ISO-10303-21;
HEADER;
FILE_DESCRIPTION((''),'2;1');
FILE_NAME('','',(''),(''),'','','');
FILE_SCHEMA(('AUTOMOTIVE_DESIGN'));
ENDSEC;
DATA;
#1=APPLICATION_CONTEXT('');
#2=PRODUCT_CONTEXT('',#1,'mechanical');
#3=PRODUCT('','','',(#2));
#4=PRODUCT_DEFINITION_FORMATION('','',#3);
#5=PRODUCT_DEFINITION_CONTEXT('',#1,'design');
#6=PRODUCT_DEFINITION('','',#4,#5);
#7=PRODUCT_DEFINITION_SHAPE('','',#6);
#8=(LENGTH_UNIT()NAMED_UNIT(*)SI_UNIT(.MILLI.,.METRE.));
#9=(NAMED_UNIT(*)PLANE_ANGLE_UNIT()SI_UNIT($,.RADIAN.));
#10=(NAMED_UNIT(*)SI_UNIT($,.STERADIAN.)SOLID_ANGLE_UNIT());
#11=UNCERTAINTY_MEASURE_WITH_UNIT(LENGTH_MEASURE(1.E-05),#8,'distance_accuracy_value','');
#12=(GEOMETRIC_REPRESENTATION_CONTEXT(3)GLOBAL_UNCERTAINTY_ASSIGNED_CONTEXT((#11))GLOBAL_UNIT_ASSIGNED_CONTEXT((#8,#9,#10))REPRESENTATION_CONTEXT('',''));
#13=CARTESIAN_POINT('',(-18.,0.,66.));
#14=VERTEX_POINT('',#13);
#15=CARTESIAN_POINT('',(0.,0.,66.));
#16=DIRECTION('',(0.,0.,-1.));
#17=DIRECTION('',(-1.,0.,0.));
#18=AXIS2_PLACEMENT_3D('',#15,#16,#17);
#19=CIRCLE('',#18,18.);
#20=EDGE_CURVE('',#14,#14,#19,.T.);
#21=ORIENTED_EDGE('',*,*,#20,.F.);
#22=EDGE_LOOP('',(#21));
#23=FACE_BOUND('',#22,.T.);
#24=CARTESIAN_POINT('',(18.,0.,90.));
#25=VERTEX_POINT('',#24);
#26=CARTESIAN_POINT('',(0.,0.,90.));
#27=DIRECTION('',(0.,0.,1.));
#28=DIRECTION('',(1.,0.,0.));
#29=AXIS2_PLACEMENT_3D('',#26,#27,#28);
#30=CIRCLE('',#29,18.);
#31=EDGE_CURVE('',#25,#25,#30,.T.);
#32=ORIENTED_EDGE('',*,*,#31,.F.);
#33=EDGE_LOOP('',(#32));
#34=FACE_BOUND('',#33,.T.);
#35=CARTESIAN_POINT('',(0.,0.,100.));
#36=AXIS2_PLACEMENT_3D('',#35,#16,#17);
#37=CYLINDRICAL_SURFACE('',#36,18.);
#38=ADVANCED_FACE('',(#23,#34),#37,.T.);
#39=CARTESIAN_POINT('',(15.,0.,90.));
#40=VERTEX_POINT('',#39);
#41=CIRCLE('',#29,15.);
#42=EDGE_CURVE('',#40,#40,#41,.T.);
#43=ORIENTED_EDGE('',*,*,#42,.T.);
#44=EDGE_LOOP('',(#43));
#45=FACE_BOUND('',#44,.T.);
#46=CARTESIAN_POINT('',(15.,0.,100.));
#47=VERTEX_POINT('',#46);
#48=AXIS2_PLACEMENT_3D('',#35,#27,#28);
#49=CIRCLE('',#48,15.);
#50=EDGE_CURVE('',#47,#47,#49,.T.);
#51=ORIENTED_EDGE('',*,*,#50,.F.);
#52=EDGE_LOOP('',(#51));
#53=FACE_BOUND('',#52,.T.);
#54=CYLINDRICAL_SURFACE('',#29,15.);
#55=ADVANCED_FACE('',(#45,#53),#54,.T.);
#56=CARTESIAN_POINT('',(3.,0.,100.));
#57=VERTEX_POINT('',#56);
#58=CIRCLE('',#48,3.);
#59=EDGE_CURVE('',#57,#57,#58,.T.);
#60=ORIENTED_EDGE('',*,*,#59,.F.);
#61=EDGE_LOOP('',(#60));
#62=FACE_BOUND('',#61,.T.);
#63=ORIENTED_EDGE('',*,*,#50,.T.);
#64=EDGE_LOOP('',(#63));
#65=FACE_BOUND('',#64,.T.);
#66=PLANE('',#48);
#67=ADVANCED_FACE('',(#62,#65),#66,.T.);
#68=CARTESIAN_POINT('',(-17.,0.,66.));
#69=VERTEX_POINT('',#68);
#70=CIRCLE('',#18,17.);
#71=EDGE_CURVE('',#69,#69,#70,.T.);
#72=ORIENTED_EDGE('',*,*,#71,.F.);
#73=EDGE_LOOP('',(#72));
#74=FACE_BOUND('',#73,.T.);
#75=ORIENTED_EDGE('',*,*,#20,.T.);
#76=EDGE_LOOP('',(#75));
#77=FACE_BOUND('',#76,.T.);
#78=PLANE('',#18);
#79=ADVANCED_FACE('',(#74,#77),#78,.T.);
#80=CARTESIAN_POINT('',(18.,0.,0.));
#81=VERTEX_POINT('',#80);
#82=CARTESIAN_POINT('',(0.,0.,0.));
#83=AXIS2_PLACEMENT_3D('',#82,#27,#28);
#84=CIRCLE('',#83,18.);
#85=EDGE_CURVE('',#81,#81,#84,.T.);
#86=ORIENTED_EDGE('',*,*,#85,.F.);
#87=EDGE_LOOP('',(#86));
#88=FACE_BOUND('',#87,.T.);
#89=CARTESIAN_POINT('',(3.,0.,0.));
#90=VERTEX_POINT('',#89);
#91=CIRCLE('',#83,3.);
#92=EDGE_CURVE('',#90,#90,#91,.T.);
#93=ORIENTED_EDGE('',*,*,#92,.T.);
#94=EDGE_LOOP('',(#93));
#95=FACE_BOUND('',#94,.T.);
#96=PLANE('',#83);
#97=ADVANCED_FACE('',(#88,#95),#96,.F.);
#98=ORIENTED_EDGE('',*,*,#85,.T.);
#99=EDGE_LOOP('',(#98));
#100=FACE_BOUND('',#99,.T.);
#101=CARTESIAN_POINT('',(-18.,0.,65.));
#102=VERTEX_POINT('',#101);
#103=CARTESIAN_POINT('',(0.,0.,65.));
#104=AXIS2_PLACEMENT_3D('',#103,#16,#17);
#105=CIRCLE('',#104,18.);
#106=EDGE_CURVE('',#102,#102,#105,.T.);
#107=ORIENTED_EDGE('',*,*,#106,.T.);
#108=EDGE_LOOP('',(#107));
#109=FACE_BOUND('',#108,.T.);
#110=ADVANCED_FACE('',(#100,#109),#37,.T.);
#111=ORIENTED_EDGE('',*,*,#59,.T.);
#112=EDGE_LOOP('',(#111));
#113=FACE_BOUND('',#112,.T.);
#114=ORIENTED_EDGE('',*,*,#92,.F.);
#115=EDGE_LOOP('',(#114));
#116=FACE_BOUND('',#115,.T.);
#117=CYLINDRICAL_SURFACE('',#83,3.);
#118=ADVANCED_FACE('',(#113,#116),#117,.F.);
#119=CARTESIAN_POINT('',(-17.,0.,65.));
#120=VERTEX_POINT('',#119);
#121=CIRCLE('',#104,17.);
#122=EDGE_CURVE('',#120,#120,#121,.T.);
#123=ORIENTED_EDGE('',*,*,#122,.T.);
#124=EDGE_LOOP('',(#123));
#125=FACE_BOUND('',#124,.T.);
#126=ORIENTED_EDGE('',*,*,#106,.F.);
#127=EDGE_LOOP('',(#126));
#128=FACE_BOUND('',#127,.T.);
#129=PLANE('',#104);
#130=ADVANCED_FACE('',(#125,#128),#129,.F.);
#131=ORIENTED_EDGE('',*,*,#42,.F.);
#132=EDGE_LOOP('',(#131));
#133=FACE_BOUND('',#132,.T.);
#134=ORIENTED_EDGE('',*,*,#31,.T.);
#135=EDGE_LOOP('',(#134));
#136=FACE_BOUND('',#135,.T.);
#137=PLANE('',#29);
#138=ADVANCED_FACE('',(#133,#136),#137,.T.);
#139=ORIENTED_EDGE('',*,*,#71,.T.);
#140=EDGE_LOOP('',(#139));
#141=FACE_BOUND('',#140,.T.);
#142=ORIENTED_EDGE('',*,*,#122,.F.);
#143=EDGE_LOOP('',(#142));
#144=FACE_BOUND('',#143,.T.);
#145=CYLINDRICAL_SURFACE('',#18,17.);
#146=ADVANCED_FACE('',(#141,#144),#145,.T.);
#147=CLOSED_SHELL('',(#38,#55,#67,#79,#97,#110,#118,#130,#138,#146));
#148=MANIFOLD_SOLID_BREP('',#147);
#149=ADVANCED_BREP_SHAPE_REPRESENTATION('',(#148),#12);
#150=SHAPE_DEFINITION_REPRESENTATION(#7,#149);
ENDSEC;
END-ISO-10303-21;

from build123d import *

# Parameters (mm, degrees)
SKETCH1_R           = 18
BOSS_EXTRUDE1_DEPTH = 100
SKETCH2_R           = 25
SKETCH2_R_2         = 15
CUT_EXTRUDE2_DEPTH  = 10
SKETCH4_R           = 3
CUT_EXTRUDE3_DEPTH  = 100
SKETCH5_R           = 18
SKETCH5_R_2         = 17
CUT_EXTRUDE4_DEPTH  = 1


with BuildPart() as part:
    # Sketch1 → Boss-Extrude1 (new body)
    with BuildSketch(Plane.XY):
        Circle(SKETCH1_R)
    extrude(amount=BOSS_EXTRUDE1_DEPTH)

    # Sketch2 → Cut-Extrude2 (cut)
    with BuildSketch(Plane.XY.offset(100)):
        Circle(SKETCH2_R)
        Circle(SKETCH2_R_2, mode=Mode.SUBTRACT)
    extrude(amount=-CUT_EXTRUDE2_DEPTH, mode=Mode.SUBTRACT)

    # Sketch4 → Cut-Extrude3 (cut)
    with BuildSketch(Plane.XY.offset(100)):
        Circle(SKETCH4_R)
    extrude(amount=-CUT_EXTRUDE3_DEPTH, mode=Mode.SUBTRACT)

    # Sketch5 → Cut-Extrude4 (cut)
    with BuildSketch(Plane(origin=(0, 0, 65), x_dir=(-1, 0, 0), z_dir=(0, 0, -1))):
        Circle(SKETCH5_R)
        Circle(SKETCH5_R_2, mode=Mode.SUBTRACT)
    extrude(amount=-CUT_EXTRUDE4_DEPTH, mode=Mode.SUBTRACT)


solid = part.part
